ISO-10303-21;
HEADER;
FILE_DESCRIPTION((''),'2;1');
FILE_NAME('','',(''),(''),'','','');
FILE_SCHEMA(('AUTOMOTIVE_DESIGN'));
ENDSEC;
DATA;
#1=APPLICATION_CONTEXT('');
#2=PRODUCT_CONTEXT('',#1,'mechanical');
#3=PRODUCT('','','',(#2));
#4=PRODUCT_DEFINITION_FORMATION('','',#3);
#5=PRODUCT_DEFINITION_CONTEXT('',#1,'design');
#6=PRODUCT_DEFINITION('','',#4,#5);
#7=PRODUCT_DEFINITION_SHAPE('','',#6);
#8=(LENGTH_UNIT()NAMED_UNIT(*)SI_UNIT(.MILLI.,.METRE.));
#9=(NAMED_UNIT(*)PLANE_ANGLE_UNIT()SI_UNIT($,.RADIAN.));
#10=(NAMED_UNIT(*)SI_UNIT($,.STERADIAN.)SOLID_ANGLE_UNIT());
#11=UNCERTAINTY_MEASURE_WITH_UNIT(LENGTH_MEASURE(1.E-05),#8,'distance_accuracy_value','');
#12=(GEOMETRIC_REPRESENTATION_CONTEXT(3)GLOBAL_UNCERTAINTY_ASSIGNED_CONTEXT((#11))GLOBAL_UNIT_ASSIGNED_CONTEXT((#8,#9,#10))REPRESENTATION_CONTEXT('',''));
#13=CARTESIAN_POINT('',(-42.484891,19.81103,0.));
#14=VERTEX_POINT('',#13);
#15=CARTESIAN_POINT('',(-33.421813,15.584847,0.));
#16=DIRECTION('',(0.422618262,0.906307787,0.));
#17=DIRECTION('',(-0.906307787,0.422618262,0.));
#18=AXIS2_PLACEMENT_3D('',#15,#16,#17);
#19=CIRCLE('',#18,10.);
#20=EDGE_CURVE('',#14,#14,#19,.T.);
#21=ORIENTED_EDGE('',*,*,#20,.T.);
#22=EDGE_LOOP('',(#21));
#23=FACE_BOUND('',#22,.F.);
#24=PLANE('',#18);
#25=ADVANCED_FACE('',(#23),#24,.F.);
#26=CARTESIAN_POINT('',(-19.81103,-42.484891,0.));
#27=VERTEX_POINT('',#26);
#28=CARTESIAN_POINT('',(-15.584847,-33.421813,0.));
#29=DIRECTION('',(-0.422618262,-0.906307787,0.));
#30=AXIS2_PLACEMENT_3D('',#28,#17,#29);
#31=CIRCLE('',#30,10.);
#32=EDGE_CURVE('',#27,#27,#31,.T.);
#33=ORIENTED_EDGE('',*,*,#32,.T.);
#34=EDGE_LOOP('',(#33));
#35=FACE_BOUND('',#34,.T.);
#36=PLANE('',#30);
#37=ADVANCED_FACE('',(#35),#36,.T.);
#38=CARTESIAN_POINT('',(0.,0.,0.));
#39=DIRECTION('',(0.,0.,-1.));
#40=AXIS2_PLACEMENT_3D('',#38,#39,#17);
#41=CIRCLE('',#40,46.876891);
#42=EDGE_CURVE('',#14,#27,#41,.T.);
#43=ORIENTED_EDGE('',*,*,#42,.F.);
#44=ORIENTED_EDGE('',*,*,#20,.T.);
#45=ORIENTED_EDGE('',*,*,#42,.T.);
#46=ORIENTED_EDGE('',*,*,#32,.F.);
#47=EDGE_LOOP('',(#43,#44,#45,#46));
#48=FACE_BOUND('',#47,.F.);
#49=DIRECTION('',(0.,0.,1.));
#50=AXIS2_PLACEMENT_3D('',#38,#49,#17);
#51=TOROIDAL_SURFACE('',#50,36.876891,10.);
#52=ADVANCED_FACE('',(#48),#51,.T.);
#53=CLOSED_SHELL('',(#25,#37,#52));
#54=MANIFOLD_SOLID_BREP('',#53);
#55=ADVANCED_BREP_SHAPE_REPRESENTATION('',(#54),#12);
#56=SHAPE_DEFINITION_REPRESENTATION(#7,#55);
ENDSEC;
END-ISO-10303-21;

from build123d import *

# Parameters (mm, degrees)
F0_R          = 10
F1_ANGLE_BACK = 155
F1_ANGLE      = 270


with BuildPart() as f1:
    # F0 (on Front) → F1 (revolve)
    with BuildSketch(Plane.XZ, mode=Mode.PRIVATE) as f1_sk:
        with Locations((36.8768908083, 0)):
            Circle(F0_R)
    revolve(f1_sk.sketch.rotate(Axis((0, 0, -2.9739420861), (0, 0, -1)), -F1_ANGLE_BACK), axis=Axis((0, 0, -2.9739420861), (0, 0, -1)), revolution_arc=F1_ANGLE)


solid = f1.part
